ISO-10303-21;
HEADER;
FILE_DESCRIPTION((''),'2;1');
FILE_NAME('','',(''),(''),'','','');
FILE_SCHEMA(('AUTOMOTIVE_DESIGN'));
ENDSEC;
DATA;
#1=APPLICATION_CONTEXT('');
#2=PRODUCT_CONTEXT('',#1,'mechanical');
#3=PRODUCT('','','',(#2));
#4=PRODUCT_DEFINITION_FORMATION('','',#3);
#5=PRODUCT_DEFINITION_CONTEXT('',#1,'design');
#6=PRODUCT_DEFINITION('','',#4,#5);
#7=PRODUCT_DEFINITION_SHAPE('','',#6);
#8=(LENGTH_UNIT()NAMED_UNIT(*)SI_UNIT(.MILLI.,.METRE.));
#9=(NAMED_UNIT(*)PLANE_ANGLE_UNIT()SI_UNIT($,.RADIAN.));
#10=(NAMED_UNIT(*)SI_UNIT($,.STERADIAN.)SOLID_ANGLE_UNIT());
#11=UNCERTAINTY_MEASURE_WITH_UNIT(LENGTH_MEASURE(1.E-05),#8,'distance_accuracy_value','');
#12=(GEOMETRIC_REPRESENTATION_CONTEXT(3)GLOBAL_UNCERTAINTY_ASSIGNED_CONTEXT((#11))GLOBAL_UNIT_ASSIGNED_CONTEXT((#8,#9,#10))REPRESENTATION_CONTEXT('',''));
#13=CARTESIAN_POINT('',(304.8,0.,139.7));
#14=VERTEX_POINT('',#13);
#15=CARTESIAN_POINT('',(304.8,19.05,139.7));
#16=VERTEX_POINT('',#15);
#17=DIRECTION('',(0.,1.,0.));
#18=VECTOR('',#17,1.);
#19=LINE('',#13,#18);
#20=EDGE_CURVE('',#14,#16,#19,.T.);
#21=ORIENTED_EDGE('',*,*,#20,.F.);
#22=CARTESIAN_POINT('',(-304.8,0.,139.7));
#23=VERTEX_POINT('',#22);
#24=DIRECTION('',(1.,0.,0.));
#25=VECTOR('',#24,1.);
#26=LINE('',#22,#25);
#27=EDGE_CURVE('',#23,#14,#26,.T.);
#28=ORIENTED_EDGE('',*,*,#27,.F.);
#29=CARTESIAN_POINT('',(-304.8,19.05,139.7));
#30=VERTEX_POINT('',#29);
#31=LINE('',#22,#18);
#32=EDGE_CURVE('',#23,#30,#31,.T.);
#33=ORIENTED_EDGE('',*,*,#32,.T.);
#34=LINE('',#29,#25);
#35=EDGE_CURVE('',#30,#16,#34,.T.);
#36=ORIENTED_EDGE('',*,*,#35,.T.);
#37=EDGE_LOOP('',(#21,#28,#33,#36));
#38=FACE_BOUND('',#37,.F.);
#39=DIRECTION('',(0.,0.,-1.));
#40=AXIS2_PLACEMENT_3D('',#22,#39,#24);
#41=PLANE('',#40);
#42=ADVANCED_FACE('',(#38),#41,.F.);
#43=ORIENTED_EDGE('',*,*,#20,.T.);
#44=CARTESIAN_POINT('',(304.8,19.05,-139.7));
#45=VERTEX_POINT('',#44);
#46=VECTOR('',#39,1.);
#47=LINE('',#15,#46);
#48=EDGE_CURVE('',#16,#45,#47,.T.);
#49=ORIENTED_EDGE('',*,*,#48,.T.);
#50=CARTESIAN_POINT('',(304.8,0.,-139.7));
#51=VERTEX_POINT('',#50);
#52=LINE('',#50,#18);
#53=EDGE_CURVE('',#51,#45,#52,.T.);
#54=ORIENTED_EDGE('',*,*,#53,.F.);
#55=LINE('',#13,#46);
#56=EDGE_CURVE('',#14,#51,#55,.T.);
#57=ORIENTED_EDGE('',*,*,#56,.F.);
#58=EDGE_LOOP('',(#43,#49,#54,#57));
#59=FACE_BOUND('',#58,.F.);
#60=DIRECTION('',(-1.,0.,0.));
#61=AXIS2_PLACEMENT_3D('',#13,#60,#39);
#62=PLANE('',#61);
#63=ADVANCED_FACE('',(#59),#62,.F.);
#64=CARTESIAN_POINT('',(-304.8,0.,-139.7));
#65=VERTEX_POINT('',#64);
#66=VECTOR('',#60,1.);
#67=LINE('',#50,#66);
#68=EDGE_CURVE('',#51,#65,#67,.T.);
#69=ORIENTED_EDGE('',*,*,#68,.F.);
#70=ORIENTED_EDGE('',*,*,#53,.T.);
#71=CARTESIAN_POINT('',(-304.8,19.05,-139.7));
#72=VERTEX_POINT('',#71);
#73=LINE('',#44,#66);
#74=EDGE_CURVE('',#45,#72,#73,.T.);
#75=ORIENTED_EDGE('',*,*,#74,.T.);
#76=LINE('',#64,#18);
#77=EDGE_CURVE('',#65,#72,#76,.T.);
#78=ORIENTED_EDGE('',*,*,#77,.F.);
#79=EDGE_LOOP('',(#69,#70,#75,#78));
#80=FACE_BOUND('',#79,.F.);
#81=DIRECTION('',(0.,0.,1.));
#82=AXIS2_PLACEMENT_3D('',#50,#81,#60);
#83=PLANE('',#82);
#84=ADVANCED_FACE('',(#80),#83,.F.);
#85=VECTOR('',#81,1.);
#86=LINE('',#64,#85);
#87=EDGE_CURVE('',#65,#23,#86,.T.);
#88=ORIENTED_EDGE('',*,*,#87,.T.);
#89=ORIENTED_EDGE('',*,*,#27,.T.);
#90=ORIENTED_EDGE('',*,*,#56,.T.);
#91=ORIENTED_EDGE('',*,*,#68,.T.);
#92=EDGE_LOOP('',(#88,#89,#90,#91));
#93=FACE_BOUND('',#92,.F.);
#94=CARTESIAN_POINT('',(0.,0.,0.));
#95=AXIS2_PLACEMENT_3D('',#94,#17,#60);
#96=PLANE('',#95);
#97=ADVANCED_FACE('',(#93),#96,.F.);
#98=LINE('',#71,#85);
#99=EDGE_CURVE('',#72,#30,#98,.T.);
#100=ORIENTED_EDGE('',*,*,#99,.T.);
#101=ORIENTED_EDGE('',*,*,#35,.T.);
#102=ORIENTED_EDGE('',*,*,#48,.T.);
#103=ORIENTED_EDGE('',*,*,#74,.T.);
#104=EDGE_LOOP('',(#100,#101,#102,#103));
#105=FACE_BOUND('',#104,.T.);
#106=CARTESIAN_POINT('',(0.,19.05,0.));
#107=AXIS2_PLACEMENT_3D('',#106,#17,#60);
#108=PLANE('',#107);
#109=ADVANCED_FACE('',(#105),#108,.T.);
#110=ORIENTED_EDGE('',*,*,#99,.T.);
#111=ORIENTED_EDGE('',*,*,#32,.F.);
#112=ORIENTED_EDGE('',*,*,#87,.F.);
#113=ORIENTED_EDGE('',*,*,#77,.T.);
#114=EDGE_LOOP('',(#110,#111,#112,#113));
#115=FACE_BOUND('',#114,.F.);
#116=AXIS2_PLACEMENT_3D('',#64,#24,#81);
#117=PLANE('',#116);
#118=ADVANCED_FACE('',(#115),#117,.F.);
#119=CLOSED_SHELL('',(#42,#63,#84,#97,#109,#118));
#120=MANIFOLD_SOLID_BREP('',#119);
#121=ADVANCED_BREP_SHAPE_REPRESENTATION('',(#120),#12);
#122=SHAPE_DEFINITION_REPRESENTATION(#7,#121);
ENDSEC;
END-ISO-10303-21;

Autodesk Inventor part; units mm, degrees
ref_plane "YZ Plane" through (0, 0, 0) normal (1, 0, 0) x (0, 1, 0)
ref_plane "XZ Plane" through (0, 0, 0) normal (0, 1, 0) x (-1, 0, 0)
ref_plane "XY Plane" through (0, 0, 0) normal (0, 0, 1) x (1, 0, 0)
sketch "Sketch1" plane through (0, 0, 0) normal (0, 1, 0) x (-1, 0, 0)
  line L0 (304.8, 139.7) -> (-304.8, 139.7)
  line L1 (-304.8, 139.7) -> (-304.8, -139.7)
  line L2 (-304.8, -139.7) -> (304.8, -139.7)
  line L3 (304.8, -139.7) -> (304.8, 139.7)
  line L4 (304.8, 139.7) -> (-304.8, -139.7) construction
  line L5 (-304.8, 139.7) -> (304.8, -139.7) construction
  point P0 (0, 0)
  dimension "d0" = 609.6
  dimension "d1" = 279.4
extrude "Extrusion1" add sketch "Sketch1" along normal blind 19.05
equation "\"d0\" = frontBoxWidth"
equation "\"d1\" = frontBoxLength"
equation "\"d2\" = frontBoxThickness"
equation "\"frontBoxWidth\" = 609.6"
equation "\"frontBoxLength\" = 279.4"
equation "\"frontBoxThickness\" = 19.05"
properties part number "frontBox"
